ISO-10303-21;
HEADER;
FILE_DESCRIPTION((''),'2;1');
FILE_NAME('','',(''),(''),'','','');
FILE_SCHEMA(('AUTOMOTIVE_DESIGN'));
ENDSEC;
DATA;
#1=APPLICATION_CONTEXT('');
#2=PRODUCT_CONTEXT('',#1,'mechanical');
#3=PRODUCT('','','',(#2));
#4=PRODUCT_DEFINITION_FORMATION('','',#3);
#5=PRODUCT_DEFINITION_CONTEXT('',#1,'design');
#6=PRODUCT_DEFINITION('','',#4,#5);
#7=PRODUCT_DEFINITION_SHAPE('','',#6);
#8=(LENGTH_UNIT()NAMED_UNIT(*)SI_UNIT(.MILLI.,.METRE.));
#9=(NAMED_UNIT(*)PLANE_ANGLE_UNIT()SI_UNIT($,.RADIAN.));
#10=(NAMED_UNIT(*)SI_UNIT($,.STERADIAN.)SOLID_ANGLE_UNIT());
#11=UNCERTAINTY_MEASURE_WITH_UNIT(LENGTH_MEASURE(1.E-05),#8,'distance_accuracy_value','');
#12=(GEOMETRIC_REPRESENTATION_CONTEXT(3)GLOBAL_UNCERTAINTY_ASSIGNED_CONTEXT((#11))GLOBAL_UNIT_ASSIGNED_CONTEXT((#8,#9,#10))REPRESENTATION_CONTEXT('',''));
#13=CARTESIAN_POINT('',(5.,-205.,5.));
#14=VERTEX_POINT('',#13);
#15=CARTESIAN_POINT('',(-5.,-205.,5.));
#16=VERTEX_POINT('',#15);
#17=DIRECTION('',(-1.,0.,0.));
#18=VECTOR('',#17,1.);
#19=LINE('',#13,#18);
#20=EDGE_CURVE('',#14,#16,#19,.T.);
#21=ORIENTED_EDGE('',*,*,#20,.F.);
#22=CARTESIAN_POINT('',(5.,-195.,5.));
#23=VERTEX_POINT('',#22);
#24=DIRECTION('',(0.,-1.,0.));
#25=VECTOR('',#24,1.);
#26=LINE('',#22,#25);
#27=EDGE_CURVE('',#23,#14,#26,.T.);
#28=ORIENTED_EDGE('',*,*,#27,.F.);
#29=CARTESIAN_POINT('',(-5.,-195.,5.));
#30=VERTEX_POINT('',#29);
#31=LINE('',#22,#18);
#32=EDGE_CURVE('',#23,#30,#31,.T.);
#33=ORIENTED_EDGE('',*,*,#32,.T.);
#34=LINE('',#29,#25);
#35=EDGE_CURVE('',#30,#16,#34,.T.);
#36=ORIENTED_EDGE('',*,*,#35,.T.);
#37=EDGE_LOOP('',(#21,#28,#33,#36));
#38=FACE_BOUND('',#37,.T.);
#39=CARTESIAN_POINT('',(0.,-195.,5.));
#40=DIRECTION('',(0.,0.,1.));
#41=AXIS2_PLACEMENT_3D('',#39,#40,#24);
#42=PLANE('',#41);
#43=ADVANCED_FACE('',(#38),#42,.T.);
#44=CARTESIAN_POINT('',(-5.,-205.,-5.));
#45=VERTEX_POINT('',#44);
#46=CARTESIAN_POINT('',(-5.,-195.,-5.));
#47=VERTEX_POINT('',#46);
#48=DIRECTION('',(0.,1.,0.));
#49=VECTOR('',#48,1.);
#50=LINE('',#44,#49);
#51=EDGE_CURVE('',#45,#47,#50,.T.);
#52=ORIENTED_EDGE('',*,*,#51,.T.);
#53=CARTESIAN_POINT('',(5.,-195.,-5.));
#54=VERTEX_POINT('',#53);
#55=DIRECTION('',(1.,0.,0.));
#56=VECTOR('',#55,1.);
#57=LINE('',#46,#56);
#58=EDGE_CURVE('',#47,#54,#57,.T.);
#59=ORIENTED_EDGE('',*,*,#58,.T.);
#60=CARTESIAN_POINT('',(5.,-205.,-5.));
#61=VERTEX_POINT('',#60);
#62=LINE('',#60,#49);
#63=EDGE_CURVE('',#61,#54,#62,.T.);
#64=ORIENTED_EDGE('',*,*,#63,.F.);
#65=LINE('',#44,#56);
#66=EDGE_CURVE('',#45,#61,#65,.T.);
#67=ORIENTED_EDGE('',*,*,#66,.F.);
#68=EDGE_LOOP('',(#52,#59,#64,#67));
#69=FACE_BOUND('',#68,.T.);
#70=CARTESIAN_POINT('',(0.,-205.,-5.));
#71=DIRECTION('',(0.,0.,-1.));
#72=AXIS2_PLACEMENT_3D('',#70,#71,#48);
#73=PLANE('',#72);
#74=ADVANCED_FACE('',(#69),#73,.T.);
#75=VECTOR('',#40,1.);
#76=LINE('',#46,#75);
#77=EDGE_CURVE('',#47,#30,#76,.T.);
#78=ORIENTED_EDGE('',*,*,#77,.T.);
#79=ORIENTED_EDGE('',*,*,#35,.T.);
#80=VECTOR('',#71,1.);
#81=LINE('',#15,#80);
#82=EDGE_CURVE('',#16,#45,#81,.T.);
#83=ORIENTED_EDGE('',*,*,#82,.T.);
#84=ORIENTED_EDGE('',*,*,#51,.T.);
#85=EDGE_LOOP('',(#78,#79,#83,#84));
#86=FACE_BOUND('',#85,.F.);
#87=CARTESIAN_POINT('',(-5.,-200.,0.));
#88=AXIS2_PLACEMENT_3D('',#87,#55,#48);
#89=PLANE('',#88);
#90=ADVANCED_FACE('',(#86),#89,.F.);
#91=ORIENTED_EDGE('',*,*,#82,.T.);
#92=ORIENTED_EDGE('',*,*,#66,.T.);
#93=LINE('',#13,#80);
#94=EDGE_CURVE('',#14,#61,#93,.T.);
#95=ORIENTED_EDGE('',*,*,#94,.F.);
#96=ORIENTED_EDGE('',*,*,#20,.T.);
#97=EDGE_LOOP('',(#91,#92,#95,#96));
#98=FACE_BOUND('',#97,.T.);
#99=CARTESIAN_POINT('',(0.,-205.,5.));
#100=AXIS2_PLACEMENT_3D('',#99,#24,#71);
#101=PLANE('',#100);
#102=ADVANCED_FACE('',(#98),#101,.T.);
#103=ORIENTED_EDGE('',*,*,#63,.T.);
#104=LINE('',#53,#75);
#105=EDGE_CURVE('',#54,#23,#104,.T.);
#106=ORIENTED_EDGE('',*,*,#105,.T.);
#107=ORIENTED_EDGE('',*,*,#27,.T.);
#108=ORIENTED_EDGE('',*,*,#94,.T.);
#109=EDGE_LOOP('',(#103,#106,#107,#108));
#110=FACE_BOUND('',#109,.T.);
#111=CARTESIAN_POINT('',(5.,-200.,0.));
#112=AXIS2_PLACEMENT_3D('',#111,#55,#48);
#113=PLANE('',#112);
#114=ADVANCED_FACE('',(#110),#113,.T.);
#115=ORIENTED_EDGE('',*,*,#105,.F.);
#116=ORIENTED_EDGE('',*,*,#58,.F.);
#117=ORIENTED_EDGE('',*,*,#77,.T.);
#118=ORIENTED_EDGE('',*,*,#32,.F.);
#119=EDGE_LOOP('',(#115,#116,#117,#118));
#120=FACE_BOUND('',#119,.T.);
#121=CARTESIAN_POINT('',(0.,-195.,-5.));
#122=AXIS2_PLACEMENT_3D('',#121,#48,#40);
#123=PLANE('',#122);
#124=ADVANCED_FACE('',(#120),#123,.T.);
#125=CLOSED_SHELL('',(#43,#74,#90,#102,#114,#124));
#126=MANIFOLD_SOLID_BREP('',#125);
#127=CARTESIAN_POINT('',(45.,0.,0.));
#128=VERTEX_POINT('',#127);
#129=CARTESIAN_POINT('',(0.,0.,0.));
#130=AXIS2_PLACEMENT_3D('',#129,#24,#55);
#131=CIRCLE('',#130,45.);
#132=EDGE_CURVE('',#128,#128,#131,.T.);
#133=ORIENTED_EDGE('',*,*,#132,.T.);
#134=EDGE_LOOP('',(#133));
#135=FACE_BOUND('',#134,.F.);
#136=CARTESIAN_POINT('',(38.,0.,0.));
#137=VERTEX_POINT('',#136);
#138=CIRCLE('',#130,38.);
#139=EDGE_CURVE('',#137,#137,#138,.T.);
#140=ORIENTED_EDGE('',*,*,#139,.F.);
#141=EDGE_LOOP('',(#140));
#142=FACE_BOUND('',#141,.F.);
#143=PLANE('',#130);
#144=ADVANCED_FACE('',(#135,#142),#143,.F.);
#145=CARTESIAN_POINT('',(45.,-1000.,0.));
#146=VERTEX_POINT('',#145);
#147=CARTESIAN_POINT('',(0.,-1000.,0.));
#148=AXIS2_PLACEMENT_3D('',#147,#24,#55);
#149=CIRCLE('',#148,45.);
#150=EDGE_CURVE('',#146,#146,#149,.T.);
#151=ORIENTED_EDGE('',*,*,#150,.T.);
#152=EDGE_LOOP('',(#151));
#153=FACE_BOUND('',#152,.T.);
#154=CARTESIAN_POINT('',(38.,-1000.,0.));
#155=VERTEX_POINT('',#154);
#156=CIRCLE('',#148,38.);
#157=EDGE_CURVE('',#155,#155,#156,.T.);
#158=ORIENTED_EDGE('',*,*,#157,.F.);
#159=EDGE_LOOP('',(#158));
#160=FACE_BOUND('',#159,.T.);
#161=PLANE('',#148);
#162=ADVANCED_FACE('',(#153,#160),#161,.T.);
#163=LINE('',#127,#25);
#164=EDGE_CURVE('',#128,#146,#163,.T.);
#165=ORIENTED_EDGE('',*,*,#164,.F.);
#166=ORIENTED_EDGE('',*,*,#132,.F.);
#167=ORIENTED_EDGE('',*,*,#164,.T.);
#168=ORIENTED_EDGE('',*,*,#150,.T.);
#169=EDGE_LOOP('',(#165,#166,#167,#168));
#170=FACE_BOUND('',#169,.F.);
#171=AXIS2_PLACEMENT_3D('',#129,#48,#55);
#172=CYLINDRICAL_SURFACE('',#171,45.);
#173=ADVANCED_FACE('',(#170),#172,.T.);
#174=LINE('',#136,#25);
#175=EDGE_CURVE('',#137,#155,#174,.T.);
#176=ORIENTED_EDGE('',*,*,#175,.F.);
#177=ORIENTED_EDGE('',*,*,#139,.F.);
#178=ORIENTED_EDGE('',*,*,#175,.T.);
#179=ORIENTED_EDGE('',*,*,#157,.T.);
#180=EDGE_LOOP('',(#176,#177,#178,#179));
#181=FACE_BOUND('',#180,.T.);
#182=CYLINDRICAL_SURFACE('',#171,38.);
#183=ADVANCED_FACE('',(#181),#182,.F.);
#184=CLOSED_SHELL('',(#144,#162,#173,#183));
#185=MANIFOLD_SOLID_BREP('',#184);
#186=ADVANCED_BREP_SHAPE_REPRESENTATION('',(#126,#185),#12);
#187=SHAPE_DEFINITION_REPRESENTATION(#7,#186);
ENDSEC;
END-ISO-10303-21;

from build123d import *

# Parameters (mm, degrees)
F0_R     = 45
F0_R_2   = 38
F1_DEPTH = 1000
F3_DEPTH = 5


with BuildPart() as f1:
    # F0 (on Front) → F1 (new body)
    with BuildSketch(Plane.XZ):
        Circle(F0_R)
        Circle(F0_R_2, mode=Mode.SUBTRACT)
    extrude(amount=F1_DEPTH)


with BuildPart() as f3:
    # F2 (on Right) → F3 (new body, symmetric)
    with BuildSketch(Plane.YZ):
        Polygon((-205, 5), (-205, -5), (-195, -5), (-195, 0), (-195, 5), align=None)
    extrude(amount=F3_DEPTH, both=True)


solid = Compound([f1.part, f3.part])
